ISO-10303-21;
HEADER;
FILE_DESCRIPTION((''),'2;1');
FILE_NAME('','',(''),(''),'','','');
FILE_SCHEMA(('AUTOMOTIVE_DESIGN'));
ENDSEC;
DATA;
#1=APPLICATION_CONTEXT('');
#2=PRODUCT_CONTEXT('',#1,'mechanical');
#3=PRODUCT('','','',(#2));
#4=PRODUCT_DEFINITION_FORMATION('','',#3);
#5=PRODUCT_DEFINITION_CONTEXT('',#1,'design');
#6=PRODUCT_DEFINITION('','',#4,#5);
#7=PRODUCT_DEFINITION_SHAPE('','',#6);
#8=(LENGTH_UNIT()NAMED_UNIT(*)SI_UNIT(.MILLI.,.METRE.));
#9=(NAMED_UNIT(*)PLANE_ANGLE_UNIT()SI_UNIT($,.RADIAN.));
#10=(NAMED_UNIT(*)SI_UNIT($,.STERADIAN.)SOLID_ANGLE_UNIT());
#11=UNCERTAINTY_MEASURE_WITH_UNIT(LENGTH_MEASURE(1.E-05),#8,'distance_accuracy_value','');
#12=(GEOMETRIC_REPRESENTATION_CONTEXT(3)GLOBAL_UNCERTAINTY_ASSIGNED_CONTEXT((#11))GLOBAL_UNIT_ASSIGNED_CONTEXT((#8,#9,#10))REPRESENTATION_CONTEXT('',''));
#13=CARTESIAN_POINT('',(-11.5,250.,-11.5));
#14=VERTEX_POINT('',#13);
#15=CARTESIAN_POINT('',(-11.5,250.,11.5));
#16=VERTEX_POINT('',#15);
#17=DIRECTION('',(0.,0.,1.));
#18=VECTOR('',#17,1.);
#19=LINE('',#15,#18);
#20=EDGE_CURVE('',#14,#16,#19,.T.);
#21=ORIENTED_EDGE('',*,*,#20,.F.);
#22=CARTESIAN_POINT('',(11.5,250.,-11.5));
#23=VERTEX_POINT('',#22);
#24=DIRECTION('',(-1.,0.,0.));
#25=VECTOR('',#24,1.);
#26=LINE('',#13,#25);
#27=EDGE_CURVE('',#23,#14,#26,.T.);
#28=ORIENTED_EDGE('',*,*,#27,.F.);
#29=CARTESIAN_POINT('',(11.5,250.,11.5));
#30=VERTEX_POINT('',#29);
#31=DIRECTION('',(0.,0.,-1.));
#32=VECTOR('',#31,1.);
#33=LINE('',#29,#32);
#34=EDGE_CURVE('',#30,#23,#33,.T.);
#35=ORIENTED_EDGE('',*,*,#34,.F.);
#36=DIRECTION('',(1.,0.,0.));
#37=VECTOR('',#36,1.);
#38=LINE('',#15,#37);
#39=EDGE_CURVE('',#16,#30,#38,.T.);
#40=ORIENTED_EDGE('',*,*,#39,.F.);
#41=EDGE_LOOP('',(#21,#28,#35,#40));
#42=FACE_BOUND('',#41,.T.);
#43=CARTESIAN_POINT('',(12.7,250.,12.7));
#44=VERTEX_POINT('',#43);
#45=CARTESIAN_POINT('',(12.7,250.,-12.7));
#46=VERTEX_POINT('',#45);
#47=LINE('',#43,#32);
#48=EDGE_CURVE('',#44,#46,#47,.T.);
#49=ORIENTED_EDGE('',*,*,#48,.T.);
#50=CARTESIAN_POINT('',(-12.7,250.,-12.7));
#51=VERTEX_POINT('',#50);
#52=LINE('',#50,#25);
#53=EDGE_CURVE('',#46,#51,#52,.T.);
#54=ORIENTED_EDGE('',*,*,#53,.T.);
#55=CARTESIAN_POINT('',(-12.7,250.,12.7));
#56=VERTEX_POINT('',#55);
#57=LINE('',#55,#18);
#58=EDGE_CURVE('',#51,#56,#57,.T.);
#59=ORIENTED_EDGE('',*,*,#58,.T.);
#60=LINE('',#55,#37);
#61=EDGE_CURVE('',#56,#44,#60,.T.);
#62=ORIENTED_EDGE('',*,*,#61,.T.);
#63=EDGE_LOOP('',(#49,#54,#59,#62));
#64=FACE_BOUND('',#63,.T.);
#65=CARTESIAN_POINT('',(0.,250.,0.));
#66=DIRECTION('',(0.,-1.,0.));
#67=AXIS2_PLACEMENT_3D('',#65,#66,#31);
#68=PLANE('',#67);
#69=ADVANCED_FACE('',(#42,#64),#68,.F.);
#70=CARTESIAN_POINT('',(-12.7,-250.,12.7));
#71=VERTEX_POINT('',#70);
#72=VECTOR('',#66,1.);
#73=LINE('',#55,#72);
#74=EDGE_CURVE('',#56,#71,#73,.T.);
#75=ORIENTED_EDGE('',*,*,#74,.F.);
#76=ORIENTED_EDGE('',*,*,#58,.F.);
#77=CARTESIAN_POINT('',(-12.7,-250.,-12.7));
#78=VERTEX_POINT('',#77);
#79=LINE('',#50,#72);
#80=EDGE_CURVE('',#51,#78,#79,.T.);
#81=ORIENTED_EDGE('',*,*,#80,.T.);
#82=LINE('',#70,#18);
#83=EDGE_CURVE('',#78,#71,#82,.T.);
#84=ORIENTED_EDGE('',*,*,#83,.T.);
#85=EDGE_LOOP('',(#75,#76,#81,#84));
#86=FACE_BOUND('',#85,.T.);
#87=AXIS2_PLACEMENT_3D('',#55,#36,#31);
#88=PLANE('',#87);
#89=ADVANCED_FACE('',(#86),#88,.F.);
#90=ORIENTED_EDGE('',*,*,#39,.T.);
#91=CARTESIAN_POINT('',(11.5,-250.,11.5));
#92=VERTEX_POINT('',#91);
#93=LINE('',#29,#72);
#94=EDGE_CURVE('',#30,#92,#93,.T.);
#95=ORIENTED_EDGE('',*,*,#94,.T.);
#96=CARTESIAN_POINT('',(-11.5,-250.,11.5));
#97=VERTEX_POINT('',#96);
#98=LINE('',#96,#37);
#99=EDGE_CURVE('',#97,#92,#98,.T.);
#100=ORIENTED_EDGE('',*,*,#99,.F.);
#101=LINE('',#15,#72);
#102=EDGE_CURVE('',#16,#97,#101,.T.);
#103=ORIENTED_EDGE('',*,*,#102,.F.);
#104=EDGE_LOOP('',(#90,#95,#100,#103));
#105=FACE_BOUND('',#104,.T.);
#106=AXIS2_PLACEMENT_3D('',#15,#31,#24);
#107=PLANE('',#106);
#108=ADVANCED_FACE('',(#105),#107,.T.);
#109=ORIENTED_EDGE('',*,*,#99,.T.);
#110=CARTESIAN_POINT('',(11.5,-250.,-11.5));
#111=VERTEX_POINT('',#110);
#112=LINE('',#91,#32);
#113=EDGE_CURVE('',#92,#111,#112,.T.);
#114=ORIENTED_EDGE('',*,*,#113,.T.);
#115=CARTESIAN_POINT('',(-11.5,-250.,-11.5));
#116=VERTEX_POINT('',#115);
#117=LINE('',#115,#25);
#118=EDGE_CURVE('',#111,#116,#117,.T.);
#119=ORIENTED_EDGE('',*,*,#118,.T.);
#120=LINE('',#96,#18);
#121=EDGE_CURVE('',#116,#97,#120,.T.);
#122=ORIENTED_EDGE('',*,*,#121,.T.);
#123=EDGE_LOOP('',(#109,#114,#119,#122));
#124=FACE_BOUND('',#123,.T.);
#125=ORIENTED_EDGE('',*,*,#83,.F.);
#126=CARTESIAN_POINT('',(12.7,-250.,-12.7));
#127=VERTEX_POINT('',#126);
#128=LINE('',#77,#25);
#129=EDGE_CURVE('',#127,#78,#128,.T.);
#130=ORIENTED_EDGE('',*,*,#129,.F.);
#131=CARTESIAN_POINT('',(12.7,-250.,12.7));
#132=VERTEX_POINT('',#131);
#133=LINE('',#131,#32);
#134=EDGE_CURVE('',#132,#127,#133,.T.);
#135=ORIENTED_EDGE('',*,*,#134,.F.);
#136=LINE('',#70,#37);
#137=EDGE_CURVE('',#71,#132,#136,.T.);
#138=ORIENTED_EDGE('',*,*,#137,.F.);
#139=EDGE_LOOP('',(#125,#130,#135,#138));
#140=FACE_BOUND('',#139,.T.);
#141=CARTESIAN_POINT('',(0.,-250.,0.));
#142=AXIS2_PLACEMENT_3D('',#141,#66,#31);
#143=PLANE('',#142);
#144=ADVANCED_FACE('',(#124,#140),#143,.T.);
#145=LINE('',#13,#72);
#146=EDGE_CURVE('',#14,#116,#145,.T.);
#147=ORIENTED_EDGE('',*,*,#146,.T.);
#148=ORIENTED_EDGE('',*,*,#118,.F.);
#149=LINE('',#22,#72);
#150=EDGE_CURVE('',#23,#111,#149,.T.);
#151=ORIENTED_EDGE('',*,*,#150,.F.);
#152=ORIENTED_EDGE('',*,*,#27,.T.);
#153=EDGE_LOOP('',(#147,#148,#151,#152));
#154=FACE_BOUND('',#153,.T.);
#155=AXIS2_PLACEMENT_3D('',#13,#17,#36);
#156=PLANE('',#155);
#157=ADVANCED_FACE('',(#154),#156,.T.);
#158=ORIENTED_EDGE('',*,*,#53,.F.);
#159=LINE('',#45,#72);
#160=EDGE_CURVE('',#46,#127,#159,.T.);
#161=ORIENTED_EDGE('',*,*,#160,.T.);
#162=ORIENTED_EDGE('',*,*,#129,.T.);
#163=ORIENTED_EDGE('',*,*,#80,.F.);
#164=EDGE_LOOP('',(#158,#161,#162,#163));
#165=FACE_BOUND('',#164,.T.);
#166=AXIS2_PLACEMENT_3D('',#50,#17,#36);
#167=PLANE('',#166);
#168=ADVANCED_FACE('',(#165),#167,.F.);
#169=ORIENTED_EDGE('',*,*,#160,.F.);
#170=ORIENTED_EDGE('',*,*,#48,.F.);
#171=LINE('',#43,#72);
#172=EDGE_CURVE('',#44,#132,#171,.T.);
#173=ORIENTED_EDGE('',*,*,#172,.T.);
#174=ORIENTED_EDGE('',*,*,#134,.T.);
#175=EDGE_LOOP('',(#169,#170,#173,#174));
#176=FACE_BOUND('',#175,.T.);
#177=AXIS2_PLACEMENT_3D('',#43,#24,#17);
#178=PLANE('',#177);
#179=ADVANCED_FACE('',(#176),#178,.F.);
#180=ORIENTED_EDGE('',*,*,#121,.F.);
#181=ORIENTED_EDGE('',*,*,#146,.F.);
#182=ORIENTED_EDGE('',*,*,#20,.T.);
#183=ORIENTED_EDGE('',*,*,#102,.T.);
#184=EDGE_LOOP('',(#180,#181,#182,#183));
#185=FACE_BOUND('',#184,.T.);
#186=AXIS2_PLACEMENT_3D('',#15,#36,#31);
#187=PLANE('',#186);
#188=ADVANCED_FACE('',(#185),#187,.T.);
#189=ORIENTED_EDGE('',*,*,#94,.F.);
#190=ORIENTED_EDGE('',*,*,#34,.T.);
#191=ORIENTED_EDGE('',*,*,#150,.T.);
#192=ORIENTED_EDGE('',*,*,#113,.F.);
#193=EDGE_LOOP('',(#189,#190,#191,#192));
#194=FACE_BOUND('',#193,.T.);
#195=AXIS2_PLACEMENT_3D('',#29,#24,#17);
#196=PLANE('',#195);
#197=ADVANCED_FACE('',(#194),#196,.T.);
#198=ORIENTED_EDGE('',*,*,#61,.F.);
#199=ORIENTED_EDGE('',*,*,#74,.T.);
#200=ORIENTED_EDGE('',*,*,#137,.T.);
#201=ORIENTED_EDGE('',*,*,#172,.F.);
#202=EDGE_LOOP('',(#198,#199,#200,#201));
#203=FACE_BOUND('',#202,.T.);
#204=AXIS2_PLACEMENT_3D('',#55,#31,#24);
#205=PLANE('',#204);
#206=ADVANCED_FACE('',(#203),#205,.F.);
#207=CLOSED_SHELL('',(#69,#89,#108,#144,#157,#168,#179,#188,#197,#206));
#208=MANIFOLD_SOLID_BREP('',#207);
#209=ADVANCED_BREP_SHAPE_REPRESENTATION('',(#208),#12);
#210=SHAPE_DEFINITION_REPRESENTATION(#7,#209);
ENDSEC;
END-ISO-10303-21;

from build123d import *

# Parameters (mm, degrees)
SKETCH2_W           = 25.4
SKETCH2_H           = 25.4
SKETCH2_W_2         = 23
SKETCH2_H_2         = 23
BOSS_EXTRUDE1_DEPTH = 250


with BuildPart() as part:
    # Sketch2 → Boss-Extrude1 (new, symmetric)
    with BuildSketch(Plane(origin=(0, 0, 0), x_dir=(1, 0, 0), z_dir=(0, 1, 0))):
        Rectangle(SKETCH2_W, SKETCH2_H)
        Rectangle(SKETCH2_W_2, SKETCH2_H_2, mode=Mode.SUBTRACT)
    extrude(amount=BOSS_EXTRUDE1_DEPTH, both=True)


solid = part.part
